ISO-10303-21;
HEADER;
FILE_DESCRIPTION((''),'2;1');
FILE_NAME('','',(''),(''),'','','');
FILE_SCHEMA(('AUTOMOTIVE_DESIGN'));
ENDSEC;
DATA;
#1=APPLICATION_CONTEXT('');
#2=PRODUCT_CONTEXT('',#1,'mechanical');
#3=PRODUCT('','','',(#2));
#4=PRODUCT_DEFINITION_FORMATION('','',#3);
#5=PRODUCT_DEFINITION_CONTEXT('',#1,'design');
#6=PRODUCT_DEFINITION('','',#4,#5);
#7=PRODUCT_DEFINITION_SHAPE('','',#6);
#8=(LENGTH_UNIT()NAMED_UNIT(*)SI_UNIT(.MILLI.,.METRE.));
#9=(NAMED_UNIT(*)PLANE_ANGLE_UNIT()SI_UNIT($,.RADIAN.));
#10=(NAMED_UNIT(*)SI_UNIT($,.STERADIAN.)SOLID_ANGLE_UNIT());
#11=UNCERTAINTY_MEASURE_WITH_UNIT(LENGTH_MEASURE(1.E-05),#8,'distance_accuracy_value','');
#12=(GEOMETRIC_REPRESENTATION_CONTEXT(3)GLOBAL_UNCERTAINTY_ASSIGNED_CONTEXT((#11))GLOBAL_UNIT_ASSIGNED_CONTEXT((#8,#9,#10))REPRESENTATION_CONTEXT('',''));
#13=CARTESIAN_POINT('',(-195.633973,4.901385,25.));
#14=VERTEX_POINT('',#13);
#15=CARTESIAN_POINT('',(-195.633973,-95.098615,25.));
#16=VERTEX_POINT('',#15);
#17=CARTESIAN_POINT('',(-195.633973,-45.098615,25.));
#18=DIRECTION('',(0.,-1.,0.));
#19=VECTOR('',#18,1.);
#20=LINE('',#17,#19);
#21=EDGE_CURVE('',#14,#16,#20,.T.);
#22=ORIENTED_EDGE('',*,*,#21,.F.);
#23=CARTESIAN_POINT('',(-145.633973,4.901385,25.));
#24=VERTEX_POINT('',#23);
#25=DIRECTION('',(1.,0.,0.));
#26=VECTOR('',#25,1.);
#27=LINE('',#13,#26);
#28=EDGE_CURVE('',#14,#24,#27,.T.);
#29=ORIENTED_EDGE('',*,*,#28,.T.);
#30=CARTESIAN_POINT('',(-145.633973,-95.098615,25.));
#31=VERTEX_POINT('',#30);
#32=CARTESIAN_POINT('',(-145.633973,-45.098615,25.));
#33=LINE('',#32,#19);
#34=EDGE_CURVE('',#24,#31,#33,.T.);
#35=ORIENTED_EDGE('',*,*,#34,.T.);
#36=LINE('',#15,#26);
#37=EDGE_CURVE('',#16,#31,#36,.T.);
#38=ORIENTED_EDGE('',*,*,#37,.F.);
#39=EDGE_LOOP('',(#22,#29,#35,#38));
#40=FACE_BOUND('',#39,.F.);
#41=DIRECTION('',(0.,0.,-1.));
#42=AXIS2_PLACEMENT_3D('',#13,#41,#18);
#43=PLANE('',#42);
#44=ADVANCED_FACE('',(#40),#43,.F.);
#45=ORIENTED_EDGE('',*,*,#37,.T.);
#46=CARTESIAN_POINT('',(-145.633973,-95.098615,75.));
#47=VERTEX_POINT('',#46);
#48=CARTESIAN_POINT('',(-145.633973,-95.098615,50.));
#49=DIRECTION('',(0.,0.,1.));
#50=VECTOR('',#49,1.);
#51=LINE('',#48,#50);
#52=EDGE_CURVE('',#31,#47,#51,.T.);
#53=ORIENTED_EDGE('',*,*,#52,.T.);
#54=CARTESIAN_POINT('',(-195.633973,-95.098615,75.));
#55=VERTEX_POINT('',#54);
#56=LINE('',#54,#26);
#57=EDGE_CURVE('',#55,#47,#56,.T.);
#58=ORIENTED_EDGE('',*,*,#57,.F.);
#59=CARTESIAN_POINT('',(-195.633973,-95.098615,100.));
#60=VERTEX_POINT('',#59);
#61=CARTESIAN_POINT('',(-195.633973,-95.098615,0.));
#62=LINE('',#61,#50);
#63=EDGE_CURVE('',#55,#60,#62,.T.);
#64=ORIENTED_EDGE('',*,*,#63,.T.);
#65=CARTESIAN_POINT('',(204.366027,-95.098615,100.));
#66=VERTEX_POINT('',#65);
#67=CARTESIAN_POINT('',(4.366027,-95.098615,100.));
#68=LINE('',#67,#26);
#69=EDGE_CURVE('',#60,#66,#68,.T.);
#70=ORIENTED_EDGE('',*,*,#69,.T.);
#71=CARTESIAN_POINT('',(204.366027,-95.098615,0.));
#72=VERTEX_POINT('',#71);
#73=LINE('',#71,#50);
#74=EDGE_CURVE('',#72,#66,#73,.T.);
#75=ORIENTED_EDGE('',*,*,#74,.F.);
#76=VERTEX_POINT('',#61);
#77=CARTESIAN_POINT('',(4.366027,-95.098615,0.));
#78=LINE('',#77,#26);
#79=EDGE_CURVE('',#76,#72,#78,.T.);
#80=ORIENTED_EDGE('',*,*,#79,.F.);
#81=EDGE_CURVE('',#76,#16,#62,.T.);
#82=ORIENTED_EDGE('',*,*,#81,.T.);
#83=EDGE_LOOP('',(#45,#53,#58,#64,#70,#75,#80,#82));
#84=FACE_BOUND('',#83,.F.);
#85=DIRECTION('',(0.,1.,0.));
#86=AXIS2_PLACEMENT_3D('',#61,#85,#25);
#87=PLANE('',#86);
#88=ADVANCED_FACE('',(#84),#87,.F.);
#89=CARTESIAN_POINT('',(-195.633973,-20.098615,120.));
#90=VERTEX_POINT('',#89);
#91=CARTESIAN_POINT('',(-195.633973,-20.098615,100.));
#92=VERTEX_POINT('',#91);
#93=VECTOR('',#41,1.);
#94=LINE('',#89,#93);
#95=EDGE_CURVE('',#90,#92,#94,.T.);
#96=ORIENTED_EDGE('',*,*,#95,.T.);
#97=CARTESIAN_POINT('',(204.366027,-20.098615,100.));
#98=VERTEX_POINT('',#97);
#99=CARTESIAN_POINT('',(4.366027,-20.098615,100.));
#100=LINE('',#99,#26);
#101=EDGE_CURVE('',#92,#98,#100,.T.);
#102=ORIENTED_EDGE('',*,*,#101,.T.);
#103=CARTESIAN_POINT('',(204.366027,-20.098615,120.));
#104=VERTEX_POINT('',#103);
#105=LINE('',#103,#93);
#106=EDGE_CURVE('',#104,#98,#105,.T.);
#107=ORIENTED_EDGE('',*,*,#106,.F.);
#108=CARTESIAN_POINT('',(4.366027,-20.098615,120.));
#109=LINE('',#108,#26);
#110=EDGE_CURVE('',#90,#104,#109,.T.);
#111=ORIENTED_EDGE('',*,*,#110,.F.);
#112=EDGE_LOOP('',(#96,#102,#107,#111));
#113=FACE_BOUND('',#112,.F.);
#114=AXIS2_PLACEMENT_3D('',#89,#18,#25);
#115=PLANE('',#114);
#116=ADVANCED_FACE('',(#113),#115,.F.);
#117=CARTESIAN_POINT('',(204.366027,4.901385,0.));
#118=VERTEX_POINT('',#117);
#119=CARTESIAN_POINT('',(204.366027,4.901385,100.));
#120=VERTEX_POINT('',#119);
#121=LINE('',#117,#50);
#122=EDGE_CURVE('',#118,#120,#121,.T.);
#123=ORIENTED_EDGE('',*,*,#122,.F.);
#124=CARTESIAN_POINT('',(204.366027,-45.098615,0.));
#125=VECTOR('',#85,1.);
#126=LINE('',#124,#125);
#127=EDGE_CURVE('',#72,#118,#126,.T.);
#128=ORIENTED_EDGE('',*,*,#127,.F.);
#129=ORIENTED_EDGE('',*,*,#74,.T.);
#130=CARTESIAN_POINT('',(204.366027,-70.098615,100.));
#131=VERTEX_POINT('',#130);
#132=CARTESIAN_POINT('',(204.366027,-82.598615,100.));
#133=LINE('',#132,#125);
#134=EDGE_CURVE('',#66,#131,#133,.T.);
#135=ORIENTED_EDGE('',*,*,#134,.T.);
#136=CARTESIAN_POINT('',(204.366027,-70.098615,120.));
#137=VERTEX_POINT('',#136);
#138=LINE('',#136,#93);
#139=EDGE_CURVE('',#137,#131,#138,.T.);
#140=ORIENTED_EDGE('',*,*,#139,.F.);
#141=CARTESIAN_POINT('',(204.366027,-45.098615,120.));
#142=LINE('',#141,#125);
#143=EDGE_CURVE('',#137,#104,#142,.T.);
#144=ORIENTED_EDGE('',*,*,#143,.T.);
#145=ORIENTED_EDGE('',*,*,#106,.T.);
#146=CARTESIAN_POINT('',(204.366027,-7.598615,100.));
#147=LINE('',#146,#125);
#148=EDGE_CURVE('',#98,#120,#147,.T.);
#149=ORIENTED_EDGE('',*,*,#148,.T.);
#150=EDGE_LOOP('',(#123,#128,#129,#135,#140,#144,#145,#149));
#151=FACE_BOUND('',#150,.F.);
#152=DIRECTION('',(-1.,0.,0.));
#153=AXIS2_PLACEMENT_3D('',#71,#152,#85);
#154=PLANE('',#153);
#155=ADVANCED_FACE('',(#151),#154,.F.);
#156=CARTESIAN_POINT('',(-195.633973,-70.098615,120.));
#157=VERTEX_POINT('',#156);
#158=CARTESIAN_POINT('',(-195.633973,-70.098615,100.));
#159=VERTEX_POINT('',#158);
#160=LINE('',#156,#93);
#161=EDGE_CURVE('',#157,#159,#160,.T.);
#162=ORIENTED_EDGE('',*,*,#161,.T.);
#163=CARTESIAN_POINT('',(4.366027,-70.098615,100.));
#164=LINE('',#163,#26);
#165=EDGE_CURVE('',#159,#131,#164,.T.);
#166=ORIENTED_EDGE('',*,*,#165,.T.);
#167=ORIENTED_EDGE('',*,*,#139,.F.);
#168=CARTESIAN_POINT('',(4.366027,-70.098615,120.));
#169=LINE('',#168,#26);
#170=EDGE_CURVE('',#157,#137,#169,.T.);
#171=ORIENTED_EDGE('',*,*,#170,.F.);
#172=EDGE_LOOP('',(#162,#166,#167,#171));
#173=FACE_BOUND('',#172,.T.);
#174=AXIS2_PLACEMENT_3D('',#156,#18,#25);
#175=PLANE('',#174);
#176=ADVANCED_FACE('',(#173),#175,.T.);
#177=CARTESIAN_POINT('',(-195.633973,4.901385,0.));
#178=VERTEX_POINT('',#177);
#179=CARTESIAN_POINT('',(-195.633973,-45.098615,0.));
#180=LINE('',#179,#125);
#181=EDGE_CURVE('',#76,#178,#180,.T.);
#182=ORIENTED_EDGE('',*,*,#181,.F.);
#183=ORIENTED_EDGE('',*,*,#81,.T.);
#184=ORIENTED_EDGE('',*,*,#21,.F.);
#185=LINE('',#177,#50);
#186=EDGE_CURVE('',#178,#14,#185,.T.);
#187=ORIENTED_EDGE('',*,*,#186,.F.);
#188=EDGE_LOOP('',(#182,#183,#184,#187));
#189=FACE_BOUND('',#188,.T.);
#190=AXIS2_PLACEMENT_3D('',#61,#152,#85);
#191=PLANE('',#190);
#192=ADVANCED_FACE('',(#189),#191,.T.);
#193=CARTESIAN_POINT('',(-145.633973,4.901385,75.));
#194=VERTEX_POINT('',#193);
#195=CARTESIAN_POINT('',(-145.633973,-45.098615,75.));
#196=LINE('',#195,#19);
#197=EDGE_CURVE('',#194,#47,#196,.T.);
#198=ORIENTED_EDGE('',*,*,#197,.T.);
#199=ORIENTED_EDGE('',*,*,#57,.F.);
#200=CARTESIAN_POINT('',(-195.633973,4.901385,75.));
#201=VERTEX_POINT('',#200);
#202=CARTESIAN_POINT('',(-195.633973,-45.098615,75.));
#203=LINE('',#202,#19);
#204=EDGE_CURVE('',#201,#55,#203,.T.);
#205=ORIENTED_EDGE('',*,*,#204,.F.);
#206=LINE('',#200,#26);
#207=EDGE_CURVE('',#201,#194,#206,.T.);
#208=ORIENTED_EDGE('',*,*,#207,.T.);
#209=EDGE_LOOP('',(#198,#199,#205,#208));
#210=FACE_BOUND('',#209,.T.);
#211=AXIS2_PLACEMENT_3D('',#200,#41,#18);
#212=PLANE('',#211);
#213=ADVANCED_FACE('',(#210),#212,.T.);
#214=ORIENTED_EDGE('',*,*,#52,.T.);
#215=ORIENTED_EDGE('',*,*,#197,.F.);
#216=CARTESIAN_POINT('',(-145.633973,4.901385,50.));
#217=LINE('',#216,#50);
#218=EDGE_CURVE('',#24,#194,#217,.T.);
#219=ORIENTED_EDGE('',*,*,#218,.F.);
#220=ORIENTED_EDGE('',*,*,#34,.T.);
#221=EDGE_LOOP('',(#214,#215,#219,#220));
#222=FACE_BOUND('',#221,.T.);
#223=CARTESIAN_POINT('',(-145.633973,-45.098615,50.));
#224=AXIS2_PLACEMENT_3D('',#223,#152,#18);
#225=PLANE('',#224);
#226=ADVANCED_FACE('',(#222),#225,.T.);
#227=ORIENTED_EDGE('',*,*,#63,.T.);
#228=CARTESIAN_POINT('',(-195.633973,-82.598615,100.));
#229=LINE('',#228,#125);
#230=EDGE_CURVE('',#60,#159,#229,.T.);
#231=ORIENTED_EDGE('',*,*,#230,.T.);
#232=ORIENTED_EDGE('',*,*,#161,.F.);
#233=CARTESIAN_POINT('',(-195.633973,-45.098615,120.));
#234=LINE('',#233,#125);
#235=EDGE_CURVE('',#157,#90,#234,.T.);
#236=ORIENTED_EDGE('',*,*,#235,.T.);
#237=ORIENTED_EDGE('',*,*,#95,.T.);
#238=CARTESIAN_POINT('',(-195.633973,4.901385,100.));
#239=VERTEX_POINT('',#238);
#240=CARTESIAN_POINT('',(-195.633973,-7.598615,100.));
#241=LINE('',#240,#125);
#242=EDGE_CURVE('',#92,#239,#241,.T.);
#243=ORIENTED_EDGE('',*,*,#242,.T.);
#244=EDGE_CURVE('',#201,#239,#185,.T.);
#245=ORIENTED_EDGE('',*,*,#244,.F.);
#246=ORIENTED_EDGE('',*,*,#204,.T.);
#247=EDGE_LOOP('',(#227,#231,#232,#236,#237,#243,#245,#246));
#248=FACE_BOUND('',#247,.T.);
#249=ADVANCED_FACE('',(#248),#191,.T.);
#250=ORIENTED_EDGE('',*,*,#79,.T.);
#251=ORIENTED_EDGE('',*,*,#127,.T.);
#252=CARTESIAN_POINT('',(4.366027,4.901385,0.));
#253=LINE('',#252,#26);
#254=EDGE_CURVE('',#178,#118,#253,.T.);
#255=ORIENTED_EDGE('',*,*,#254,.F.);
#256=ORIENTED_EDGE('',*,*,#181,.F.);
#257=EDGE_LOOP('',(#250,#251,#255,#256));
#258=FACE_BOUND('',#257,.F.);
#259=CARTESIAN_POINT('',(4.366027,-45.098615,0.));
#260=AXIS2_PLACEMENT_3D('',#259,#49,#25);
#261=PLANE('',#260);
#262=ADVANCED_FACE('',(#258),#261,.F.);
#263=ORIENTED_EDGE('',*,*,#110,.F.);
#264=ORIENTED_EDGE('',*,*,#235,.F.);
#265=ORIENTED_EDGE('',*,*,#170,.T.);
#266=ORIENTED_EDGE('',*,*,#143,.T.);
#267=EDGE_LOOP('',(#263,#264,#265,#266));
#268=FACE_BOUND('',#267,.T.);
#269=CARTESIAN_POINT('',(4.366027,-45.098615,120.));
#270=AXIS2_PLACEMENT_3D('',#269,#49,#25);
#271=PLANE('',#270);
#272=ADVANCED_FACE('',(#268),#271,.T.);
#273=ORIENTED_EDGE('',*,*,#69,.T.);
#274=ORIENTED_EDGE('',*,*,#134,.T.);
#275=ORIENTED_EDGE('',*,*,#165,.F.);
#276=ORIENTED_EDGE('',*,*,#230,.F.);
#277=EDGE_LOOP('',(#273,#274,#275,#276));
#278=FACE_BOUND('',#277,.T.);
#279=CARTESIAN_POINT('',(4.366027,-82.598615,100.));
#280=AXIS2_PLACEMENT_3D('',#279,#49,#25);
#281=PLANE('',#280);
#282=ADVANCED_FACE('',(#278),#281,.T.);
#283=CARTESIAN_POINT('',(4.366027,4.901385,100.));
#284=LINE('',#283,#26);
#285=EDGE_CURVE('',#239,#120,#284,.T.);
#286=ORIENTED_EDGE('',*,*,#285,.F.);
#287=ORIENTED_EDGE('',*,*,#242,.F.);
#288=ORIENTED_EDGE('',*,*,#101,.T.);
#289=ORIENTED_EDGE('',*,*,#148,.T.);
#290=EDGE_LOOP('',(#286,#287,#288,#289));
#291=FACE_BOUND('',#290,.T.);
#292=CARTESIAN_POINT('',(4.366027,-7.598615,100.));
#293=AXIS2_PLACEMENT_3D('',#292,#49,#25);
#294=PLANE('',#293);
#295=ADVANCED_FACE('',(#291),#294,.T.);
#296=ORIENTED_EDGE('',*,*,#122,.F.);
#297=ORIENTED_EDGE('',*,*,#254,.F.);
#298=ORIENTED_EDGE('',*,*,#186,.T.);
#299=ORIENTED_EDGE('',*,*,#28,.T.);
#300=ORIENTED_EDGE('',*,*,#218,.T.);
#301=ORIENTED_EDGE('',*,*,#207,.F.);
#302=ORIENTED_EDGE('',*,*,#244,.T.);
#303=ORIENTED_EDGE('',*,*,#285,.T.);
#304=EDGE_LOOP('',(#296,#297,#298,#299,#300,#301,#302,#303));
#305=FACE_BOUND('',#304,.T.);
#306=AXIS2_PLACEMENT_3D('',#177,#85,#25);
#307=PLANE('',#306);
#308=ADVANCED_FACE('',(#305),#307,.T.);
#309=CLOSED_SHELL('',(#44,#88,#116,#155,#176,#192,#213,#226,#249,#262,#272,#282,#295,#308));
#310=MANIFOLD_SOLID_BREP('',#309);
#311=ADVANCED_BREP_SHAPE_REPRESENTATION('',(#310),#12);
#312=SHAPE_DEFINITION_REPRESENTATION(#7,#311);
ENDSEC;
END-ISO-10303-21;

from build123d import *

# Parameters (mm, degrees)
F0_W     = 400
F0_H     = 100
F1_DEPTH = 120
F2_W     = 400
F2_H     = 25
F3_DEPTH = 20
F4_W     = 100
F4_H     = 50
F5_DEPTH = 50


with BuildPart() as f1:
    # F0 (on Top) → F1 (new body)
    with BuildSketch(Plane.XY):
        with Locations((4.366027, -45.098615)):
            Rectangle(F0_W, F0_H)
    extrude(amount=F1_DEPTH)

    # F2 (on face) → F3 (cut)
    with BuildSketch(Plane.XY.offset(120)):
        with Locations((4.366027, -7.598615)):
            Rectangle(F2_W, F2_H)
        with Locations((4.366027, -82.598615)):
            Rectangle(F2_W, F2_H)
    extrude(amount=-F3_DEPTH, mode=Mode.SUBTRACT)

    # F4 (on face) → F5 (cut)
    with BuildSketch(Plane(origin=(-195.633973, 0, 0), x_dir=(0, -1, 0), z_dir=(-1, 0, 0))):
        with Locations((45.098615, 50)):
            Rectangle(F4_W, F4_H)
    extrude(amount=-F5_DEPTH, mode=Mode.SUBTRACT)


solid = f1.part
